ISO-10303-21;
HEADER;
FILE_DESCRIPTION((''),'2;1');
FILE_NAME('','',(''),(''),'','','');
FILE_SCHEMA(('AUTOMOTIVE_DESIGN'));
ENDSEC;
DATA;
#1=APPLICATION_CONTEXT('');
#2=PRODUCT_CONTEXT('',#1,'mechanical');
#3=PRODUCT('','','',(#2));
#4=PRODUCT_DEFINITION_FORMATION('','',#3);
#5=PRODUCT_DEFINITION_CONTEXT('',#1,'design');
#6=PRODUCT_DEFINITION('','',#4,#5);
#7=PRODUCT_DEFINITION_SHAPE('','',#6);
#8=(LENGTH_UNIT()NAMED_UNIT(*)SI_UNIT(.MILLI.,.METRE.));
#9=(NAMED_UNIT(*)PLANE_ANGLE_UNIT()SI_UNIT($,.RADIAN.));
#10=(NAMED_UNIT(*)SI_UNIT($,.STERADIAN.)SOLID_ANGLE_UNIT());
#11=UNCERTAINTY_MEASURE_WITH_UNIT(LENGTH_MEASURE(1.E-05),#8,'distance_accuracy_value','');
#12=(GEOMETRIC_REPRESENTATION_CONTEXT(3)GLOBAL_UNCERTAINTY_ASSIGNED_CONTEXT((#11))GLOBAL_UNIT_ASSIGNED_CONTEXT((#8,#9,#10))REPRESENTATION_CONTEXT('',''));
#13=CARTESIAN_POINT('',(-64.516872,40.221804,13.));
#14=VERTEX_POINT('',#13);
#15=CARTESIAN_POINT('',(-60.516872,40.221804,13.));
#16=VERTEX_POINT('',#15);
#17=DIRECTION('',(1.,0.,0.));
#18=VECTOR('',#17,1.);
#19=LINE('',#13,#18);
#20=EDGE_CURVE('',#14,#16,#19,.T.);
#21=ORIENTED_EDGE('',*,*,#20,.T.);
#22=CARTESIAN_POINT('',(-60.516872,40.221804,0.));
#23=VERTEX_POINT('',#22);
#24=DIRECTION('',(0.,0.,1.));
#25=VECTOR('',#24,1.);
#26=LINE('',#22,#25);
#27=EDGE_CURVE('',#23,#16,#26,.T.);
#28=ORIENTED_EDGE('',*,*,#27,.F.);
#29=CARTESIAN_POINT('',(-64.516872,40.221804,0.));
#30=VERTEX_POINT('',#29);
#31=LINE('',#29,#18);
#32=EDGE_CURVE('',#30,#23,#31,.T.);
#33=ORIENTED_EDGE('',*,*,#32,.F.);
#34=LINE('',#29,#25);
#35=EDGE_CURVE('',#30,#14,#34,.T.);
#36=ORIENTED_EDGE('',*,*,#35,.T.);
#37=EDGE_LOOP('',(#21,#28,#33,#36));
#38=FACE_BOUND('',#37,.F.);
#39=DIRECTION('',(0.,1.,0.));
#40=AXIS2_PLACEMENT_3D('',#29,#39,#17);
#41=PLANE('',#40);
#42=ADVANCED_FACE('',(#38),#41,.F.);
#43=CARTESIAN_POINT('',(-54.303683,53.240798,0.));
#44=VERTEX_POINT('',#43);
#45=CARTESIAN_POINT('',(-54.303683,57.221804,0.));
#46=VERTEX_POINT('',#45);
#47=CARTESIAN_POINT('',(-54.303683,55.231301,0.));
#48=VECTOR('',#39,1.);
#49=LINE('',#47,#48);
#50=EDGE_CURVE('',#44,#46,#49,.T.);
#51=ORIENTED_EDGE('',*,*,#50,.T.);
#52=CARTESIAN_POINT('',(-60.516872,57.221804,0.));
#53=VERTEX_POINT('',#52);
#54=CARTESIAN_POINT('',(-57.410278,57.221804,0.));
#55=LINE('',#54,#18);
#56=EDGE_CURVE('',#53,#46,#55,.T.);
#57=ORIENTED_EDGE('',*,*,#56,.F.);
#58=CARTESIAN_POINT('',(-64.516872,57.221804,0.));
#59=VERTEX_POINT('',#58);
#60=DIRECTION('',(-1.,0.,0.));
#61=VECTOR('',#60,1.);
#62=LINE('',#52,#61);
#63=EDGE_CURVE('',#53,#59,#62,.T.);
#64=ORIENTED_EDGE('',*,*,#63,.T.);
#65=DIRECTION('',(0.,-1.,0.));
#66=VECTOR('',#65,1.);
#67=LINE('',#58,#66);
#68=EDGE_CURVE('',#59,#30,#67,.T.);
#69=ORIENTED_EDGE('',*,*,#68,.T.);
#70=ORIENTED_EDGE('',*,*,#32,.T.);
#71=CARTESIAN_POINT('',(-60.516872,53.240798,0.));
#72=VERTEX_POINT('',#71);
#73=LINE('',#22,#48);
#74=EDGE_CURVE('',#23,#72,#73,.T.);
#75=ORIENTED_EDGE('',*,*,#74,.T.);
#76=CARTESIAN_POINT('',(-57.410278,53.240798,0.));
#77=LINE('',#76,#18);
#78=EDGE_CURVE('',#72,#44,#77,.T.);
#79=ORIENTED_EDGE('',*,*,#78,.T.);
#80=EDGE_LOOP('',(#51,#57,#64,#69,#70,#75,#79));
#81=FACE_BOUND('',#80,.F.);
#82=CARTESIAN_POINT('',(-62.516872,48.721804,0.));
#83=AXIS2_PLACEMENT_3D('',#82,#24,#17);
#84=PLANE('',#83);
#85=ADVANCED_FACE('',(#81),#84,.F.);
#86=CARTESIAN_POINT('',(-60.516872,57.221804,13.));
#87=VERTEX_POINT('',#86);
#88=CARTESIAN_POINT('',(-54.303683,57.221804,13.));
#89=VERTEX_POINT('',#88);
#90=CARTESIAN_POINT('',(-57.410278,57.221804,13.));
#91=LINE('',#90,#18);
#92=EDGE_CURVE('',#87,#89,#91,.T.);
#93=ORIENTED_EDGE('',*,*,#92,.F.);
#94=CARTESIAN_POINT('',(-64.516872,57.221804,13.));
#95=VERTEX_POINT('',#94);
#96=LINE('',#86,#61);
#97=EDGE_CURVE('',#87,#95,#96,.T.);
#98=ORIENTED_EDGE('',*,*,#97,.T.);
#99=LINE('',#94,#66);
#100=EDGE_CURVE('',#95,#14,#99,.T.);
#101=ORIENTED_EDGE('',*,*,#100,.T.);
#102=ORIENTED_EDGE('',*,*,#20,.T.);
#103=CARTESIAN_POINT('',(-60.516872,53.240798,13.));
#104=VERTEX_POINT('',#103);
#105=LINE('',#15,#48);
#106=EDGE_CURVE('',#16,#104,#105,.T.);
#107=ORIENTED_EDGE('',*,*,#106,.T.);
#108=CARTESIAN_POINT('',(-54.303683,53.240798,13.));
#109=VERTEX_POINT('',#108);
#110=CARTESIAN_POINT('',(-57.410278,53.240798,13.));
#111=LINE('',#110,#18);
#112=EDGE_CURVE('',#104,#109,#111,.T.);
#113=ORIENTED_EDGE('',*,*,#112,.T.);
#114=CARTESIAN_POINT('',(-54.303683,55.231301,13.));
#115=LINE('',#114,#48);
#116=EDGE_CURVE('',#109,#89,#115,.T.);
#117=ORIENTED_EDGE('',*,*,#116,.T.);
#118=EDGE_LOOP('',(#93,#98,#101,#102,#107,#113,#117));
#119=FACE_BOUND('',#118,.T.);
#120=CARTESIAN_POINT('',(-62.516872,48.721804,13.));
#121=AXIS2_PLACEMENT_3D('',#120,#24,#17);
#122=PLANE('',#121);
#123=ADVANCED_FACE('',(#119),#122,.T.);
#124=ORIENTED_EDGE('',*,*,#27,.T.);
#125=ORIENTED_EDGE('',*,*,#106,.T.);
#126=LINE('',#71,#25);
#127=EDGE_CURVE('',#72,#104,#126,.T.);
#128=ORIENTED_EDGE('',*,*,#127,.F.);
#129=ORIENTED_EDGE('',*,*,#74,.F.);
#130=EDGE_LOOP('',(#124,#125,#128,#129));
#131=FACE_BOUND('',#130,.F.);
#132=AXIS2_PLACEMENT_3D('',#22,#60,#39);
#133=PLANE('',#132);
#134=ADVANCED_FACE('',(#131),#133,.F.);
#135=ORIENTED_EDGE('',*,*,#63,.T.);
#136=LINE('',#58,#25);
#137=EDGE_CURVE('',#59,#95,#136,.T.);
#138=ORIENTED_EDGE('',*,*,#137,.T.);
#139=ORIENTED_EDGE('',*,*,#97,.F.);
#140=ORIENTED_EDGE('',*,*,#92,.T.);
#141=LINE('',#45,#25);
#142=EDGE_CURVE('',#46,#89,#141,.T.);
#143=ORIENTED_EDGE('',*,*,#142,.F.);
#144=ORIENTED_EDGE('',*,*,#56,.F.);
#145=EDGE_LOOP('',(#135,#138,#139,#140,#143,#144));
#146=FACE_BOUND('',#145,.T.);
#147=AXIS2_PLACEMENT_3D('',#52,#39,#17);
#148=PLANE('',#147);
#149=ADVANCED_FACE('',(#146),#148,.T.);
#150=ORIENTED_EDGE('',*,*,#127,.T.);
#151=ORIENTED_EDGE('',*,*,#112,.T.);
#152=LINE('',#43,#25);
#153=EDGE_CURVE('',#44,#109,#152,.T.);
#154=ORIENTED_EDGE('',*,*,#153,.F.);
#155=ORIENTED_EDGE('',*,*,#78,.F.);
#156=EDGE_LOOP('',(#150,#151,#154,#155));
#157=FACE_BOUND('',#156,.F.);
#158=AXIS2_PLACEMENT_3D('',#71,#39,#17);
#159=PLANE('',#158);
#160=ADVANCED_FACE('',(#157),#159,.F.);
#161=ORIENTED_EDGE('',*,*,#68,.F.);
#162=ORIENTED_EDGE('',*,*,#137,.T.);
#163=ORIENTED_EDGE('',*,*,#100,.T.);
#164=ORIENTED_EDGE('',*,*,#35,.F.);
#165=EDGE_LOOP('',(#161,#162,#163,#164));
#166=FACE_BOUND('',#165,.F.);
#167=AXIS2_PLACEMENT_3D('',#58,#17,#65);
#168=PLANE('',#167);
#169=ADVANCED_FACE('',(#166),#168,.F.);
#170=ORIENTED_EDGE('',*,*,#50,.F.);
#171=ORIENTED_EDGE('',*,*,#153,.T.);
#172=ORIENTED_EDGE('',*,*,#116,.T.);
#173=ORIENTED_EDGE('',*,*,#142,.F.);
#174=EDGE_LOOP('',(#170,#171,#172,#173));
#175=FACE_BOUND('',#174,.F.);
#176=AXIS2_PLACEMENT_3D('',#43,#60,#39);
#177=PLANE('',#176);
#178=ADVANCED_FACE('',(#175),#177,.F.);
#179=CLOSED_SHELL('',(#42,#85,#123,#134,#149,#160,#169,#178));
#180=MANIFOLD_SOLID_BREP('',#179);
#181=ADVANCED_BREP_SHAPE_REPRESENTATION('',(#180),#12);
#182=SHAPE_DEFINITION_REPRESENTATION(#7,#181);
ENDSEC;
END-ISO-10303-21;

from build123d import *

# Parameters (mm, degrees)
F0_W     = 6.2131884992
F0_H     = 3.9810055999
F1_DEPTH = 13


with BuildPart() as f1:
    # F0 (on Top) → F1 (new body)
    with BuildSketch(Plane.XY):
        Polygon((-60.5168718398, 57.2218040137), (-64.5168718398, 57.2218040137), (-64.5168718398, 40.2218040137), (-60.5168718398, 40.2218040137), (-60.5168718398, 53.2407984138), align=None)
        with Locations((-57.4102775902, 55.2313012137)):
            Rectangle(F0_W, F0_H)
    extrude(amount=F1_DEPTH)


solid = f1.part
